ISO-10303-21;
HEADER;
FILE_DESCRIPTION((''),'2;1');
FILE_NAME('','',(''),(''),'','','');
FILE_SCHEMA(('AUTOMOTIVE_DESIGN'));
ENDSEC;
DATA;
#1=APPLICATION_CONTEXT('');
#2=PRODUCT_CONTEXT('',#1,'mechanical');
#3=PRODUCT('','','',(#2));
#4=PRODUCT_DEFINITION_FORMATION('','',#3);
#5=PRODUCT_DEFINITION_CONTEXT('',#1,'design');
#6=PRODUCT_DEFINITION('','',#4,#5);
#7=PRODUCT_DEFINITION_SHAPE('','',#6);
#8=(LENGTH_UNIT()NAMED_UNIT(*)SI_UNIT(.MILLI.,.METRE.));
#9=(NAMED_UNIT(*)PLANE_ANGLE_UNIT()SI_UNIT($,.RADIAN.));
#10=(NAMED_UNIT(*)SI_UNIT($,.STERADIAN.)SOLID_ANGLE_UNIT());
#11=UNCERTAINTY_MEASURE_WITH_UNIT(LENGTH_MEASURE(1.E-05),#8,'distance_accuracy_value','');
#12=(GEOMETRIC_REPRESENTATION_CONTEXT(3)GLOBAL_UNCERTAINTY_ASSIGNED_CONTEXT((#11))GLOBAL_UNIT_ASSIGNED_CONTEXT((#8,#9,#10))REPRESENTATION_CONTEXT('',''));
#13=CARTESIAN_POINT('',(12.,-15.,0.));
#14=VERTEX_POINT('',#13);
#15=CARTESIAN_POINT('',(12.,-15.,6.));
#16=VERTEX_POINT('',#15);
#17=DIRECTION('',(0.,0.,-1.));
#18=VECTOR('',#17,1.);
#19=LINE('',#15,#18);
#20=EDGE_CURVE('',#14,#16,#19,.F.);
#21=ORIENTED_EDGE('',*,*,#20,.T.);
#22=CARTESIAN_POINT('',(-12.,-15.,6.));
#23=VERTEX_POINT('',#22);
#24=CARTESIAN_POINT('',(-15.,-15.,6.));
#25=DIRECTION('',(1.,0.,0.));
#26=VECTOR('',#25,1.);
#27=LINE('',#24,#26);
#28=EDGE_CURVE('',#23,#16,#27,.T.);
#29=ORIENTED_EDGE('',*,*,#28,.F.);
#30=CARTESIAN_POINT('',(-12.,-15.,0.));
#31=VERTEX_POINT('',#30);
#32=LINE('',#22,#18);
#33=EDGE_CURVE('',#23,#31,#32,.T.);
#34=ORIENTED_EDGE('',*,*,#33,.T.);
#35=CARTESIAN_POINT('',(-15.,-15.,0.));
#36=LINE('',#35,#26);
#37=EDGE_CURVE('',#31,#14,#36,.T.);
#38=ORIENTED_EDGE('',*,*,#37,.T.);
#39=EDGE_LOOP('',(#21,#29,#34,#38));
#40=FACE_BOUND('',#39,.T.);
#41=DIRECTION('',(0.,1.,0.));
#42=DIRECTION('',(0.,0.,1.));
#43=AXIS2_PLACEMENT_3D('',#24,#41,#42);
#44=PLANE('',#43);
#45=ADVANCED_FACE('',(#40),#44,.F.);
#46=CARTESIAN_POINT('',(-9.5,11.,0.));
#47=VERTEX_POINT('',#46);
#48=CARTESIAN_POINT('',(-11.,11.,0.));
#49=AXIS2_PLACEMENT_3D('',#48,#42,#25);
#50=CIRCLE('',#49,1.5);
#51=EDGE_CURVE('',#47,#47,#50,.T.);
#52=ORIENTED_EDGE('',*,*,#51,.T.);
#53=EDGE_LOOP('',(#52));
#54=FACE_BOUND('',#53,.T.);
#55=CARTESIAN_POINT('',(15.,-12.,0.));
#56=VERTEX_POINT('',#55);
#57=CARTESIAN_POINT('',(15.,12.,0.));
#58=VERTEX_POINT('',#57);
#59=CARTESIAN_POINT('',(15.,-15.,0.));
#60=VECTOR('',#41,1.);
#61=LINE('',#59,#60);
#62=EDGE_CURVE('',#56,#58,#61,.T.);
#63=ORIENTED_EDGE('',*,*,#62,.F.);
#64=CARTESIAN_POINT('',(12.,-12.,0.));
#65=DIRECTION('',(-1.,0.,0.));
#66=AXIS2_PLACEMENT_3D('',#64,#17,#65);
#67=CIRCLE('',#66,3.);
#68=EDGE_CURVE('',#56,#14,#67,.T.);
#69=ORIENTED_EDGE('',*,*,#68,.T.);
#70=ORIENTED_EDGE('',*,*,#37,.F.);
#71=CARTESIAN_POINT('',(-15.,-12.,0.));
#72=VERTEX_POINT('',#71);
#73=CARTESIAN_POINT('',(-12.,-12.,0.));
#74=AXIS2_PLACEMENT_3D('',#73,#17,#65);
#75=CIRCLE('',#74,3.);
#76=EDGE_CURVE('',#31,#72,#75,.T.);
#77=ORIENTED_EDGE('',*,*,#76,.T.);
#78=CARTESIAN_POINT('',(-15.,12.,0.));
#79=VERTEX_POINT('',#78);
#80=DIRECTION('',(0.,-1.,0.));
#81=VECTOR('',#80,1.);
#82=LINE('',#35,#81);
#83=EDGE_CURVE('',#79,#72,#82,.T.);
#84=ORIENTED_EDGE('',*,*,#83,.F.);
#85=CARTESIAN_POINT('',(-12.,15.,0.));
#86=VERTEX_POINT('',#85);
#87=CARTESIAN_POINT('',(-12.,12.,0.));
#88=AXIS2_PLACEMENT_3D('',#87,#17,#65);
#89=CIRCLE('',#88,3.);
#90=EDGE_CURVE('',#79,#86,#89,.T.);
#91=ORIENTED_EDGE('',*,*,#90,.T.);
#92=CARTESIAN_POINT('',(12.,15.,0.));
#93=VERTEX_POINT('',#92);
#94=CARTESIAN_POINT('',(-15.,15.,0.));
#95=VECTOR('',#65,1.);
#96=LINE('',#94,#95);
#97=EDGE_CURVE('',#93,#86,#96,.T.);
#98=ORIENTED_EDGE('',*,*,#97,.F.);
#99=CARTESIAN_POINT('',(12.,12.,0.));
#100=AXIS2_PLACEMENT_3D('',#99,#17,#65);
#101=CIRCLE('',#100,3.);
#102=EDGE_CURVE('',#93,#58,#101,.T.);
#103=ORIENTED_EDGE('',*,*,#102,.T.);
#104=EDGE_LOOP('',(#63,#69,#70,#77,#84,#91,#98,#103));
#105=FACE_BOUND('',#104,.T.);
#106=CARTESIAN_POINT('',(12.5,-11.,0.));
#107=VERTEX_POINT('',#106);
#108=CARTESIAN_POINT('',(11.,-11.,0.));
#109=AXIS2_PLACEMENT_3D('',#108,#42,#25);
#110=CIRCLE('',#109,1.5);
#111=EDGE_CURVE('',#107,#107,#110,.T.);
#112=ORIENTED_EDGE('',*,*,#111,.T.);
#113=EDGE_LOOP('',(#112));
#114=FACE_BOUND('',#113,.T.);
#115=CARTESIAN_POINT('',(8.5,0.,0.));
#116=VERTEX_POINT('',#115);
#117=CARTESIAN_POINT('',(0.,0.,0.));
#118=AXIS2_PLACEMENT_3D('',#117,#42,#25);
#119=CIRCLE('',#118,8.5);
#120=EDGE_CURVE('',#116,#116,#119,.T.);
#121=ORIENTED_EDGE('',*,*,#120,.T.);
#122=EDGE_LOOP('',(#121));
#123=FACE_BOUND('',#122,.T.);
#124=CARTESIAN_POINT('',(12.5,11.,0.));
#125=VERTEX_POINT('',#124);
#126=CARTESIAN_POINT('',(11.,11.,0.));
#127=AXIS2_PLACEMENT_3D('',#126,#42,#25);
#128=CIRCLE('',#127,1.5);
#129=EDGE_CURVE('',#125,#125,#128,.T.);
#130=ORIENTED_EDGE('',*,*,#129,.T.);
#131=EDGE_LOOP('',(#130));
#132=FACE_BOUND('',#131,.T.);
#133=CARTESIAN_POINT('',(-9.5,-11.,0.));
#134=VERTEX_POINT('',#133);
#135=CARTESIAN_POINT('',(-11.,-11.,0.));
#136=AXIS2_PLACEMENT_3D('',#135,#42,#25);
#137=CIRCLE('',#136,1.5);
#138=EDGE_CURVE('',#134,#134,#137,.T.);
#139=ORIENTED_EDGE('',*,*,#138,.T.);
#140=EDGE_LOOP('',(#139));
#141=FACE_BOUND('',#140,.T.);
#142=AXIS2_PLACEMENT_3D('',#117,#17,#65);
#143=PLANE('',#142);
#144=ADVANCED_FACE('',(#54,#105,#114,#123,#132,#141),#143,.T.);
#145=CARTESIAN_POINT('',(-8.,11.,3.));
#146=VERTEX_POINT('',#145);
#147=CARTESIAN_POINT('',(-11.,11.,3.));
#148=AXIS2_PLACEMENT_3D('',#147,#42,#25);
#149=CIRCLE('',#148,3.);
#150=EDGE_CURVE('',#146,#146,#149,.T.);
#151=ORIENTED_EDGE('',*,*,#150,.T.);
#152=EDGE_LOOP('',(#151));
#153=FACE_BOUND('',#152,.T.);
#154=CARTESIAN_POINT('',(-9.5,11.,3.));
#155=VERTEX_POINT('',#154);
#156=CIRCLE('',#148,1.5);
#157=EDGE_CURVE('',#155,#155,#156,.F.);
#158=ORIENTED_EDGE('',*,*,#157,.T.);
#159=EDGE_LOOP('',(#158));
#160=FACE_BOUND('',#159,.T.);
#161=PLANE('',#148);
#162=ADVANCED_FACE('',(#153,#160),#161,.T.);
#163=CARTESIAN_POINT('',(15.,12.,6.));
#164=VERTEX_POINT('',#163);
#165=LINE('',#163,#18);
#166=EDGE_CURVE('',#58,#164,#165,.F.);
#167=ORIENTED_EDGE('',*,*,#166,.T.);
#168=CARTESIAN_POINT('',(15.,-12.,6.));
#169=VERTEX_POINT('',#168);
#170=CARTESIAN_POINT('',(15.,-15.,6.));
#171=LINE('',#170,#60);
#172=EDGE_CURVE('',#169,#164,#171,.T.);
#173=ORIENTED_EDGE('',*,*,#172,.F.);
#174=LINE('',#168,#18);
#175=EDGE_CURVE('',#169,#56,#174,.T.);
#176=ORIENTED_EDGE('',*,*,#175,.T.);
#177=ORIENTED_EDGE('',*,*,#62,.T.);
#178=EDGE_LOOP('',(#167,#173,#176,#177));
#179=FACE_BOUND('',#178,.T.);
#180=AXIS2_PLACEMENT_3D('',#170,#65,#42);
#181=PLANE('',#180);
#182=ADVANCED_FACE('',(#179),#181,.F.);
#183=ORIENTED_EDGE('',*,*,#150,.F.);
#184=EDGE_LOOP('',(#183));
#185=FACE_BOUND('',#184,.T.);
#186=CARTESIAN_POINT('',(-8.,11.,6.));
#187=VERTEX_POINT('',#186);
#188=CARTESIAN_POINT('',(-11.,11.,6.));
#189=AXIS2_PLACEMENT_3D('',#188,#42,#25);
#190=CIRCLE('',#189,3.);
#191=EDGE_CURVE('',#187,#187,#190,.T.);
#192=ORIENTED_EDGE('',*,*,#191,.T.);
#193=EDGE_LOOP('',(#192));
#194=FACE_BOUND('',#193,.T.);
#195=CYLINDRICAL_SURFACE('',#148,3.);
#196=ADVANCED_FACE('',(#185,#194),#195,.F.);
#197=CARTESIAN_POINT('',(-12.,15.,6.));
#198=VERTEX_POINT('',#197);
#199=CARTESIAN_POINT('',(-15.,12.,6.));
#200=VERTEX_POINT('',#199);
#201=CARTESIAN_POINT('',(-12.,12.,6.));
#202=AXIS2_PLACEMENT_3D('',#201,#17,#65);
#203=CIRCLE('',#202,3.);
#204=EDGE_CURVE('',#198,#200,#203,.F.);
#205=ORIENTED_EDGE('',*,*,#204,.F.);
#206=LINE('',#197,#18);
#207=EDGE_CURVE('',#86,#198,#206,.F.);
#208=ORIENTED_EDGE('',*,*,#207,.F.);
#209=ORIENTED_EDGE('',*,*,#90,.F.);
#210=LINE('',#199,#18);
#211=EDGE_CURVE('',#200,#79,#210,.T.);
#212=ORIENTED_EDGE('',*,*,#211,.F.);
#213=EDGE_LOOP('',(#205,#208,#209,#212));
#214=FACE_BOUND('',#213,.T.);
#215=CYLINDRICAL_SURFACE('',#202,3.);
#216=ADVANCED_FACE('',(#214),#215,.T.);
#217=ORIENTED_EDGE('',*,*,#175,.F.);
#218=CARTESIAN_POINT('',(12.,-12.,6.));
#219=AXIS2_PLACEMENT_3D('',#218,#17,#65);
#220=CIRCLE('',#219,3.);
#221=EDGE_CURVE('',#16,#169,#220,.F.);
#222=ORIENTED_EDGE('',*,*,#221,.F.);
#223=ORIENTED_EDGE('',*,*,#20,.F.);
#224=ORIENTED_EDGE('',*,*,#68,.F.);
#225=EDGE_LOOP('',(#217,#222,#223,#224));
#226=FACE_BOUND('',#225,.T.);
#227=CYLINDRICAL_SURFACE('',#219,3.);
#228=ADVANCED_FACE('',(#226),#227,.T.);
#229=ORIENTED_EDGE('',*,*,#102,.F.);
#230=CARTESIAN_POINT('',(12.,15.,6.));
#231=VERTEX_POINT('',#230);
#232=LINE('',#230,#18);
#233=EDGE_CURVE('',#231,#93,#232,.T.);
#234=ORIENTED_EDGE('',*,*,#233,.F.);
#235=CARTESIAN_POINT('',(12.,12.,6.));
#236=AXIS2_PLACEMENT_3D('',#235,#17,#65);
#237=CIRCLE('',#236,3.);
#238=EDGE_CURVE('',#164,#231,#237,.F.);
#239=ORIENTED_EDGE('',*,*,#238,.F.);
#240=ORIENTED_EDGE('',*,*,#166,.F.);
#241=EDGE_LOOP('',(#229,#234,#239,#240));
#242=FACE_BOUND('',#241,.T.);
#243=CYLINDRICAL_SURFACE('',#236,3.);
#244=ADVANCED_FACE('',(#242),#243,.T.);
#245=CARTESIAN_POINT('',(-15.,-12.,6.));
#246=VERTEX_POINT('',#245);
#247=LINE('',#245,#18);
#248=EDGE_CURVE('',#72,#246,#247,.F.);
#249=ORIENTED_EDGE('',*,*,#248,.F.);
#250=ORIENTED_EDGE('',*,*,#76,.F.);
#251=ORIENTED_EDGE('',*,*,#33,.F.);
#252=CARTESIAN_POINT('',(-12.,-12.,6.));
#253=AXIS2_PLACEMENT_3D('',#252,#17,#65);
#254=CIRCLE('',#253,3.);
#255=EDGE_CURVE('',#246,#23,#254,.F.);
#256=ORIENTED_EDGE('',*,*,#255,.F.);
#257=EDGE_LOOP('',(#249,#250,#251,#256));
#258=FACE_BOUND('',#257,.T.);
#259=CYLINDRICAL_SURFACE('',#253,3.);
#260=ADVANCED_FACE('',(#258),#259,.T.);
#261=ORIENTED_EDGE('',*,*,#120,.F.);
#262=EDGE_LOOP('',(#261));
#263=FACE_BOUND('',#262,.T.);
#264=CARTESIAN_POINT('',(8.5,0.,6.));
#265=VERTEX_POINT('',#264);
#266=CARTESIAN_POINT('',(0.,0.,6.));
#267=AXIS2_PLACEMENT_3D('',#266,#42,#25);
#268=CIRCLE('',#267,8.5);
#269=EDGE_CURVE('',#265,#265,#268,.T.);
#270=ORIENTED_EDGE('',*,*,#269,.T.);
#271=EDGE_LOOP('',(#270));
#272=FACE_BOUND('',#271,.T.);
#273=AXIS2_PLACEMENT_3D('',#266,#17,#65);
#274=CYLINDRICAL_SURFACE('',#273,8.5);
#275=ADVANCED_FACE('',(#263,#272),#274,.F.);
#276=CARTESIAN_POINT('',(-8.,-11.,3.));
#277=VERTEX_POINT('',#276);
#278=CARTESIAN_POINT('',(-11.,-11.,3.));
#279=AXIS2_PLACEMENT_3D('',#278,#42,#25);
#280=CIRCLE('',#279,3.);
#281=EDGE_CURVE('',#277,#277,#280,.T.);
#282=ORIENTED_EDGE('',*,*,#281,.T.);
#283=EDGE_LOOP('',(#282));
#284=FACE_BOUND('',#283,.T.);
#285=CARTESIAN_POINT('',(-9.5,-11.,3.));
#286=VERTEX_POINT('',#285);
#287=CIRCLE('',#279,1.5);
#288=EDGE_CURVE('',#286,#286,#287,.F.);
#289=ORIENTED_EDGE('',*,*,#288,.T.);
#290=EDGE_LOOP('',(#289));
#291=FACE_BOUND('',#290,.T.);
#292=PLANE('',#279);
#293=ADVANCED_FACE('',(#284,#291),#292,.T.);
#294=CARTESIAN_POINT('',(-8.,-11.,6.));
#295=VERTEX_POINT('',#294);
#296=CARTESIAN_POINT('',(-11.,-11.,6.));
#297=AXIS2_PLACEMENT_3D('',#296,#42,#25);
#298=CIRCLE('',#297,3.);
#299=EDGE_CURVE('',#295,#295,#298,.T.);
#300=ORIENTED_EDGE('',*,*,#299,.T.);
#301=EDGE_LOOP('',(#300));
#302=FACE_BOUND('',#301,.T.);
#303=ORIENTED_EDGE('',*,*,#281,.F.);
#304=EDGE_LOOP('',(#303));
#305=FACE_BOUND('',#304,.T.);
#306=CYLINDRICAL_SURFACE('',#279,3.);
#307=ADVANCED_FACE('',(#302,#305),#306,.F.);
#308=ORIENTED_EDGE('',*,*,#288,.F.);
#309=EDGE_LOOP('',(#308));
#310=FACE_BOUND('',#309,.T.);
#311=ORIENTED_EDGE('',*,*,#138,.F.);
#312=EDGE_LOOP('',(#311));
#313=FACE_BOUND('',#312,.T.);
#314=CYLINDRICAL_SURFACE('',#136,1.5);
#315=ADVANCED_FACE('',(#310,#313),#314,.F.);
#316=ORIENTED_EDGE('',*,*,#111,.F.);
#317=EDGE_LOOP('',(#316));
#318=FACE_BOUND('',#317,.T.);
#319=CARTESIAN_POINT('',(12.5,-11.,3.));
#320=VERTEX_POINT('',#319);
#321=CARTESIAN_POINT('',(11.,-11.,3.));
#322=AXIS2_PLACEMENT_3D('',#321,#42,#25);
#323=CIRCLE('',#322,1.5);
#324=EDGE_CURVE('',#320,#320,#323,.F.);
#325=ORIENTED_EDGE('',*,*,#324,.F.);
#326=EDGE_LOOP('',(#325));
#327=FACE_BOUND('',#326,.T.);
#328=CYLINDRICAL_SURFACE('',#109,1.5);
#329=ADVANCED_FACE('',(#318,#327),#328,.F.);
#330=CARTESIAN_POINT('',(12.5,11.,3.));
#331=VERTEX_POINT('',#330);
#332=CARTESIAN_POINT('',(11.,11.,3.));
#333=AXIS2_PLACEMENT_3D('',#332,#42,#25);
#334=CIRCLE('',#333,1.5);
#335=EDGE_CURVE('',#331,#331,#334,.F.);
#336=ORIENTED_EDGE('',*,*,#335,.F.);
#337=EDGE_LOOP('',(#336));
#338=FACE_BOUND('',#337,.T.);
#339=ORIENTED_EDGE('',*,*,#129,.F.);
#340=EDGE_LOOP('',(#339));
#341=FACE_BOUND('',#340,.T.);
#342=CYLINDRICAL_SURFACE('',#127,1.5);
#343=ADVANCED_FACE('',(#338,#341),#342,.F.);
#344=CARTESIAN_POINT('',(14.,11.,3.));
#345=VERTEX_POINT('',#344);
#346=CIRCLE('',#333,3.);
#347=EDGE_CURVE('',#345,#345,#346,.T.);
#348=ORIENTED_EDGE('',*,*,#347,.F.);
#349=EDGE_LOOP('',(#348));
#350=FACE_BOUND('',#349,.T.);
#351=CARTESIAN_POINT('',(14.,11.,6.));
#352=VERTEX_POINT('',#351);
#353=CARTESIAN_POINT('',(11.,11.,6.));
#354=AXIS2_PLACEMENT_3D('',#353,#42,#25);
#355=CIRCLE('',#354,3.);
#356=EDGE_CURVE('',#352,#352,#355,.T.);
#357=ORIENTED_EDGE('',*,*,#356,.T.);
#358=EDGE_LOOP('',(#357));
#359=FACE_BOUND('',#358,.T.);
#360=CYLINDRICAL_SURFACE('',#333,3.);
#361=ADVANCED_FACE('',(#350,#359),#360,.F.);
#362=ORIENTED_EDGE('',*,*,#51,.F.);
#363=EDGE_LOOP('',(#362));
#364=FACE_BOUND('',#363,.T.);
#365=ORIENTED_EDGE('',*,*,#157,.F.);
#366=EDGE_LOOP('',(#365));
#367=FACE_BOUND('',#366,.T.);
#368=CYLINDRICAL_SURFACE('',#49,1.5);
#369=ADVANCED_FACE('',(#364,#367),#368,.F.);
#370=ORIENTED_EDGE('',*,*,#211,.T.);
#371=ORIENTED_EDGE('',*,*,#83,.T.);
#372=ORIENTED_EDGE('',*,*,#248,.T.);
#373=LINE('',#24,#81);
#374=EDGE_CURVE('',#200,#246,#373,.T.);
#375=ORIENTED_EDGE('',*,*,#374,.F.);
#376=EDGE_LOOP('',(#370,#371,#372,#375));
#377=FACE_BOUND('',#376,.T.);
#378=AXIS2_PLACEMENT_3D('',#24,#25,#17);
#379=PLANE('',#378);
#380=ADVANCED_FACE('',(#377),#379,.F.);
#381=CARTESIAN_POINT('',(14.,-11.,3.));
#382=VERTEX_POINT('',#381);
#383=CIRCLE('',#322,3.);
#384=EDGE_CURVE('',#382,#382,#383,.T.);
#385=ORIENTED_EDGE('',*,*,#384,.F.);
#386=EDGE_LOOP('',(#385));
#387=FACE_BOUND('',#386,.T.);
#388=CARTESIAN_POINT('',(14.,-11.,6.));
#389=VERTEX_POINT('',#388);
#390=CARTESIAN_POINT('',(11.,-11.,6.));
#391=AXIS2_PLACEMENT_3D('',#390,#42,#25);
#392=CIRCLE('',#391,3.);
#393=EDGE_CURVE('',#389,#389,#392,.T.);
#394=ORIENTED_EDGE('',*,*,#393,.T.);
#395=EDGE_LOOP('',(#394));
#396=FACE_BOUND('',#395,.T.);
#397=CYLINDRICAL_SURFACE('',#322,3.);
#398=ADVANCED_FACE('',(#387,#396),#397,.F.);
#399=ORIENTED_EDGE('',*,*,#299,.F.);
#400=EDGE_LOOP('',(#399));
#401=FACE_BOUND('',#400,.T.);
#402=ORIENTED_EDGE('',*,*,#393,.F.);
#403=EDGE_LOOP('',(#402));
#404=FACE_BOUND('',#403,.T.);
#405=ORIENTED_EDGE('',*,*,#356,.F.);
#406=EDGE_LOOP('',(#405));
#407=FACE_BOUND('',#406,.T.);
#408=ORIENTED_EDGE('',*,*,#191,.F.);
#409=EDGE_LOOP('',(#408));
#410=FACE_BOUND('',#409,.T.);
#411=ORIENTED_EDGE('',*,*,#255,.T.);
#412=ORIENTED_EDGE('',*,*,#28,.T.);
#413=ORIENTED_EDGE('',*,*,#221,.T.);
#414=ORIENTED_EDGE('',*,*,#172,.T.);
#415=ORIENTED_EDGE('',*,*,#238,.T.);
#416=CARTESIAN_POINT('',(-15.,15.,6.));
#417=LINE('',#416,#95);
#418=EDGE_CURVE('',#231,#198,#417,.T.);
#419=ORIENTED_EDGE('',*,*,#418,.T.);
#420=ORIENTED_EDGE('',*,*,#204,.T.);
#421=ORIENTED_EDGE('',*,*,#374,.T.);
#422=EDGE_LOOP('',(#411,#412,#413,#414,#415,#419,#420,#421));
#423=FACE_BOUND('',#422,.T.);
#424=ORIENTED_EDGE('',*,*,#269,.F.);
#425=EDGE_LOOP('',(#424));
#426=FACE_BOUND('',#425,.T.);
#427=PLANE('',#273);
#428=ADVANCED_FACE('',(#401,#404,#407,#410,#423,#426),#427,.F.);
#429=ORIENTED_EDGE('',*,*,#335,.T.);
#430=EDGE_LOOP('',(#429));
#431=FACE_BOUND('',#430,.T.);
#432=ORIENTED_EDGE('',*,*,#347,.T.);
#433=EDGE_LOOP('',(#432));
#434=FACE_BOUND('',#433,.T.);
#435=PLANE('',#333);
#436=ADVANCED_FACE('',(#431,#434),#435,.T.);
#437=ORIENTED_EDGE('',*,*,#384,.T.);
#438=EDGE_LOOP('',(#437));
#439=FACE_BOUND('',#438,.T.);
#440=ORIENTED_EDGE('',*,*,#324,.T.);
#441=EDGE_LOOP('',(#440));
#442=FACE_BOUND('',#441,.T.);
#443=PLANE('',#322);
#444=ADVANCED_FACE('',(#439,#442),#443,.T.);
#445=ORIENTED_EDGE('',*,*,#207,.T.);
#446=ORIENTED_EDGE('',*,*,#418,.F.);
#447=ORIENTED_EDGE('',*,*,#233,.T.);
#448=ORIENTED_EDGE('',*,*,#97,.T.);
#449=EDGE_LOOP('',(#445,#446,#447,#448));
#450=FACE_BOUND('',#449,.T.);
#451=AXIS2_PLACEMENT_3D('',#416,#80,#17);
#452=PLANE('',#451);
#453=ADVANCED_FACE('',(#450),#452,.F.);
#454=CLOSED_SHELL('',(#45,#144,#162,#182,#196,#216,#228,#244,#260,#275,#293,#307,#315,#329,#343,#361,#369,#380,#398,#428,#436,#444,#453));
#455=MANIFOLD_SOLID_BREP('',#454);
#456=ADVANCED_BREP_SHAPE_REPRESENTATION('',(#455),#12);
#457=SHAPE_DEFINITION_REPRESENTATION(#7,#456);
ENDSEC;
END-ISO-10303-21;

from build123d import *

# Parameters (mm, degrees)
SKETCH1_W           = 30
SKETCH1_H           = 30
SKETCH1_R           = 8.5
BOSS_EXTRUDE1_DEPTH = 6
SKETCH3_R           = 1.5
CUT_EXTRUDE2_DEPTH  = 7
SKETCH4_R           = 3
CUT_EXTRUDE3_DEPTH  = 3
FILLET1_R           = 3


with BuildPart() as part:
    # Sketch1 → Boss-Extrude1 (new body)
    with BuildSketch(Plane.XY):
        Rectangle(SKETCH1_W, SKETCH1_H)
        Circle(SKETCH1_R, mode=Mode.SUBTRACT)
    extrude(amount=BOSS_EXTRUDE1_DEPTH)

    # Sketch3 → Cut-Extrude2 (cut, through all)
    with BuildSketch(Plane.XY.offset(6)):
        with Locations((-11, 11)):
            Circle(SKETCH3_R)
        with Locations((11, 11)):
            Circle(SKETCH3_R)
        with Locations((11, -11)):
            Circle(SKETCH3_R)
        with Locations((-11, -11)):
            Circle(SKETCH3_R)
    extrude(amount=-CUT_EXTRUDE2_DEPTH, mode=Mode.SUBTRACT)

    # Sketch4 → Cut-Extrude3 (cut)
    with BuildSketch(Plane.XY.offset(6)):
        with Locations((-11, 11)):
            Circle(SKETCH4_R)
        with Locations((11, 11)):
            Circle(SKETCH4_R)
        with Locations((11, -11)):
            Circle(SKETCH4_R)
        with Locations((-11, -11)):
            Circle(SKETCH4_R)
    extrude(amount=-CUT_EXTRUDE3_DEPTH, mode=Mode.SUBTRACT)

    # Fillet1
    fillet1_edges = [part.edges().sort_by_distance(p)[0] for p in [
        (15, -15, 3),
        (-15, -15, 3),
        (-15, 15, 3),
        (15, 15, 3),
    ]]
    fillet(fillet1_edges, radius=FILLET1_R)


solid = part.part
